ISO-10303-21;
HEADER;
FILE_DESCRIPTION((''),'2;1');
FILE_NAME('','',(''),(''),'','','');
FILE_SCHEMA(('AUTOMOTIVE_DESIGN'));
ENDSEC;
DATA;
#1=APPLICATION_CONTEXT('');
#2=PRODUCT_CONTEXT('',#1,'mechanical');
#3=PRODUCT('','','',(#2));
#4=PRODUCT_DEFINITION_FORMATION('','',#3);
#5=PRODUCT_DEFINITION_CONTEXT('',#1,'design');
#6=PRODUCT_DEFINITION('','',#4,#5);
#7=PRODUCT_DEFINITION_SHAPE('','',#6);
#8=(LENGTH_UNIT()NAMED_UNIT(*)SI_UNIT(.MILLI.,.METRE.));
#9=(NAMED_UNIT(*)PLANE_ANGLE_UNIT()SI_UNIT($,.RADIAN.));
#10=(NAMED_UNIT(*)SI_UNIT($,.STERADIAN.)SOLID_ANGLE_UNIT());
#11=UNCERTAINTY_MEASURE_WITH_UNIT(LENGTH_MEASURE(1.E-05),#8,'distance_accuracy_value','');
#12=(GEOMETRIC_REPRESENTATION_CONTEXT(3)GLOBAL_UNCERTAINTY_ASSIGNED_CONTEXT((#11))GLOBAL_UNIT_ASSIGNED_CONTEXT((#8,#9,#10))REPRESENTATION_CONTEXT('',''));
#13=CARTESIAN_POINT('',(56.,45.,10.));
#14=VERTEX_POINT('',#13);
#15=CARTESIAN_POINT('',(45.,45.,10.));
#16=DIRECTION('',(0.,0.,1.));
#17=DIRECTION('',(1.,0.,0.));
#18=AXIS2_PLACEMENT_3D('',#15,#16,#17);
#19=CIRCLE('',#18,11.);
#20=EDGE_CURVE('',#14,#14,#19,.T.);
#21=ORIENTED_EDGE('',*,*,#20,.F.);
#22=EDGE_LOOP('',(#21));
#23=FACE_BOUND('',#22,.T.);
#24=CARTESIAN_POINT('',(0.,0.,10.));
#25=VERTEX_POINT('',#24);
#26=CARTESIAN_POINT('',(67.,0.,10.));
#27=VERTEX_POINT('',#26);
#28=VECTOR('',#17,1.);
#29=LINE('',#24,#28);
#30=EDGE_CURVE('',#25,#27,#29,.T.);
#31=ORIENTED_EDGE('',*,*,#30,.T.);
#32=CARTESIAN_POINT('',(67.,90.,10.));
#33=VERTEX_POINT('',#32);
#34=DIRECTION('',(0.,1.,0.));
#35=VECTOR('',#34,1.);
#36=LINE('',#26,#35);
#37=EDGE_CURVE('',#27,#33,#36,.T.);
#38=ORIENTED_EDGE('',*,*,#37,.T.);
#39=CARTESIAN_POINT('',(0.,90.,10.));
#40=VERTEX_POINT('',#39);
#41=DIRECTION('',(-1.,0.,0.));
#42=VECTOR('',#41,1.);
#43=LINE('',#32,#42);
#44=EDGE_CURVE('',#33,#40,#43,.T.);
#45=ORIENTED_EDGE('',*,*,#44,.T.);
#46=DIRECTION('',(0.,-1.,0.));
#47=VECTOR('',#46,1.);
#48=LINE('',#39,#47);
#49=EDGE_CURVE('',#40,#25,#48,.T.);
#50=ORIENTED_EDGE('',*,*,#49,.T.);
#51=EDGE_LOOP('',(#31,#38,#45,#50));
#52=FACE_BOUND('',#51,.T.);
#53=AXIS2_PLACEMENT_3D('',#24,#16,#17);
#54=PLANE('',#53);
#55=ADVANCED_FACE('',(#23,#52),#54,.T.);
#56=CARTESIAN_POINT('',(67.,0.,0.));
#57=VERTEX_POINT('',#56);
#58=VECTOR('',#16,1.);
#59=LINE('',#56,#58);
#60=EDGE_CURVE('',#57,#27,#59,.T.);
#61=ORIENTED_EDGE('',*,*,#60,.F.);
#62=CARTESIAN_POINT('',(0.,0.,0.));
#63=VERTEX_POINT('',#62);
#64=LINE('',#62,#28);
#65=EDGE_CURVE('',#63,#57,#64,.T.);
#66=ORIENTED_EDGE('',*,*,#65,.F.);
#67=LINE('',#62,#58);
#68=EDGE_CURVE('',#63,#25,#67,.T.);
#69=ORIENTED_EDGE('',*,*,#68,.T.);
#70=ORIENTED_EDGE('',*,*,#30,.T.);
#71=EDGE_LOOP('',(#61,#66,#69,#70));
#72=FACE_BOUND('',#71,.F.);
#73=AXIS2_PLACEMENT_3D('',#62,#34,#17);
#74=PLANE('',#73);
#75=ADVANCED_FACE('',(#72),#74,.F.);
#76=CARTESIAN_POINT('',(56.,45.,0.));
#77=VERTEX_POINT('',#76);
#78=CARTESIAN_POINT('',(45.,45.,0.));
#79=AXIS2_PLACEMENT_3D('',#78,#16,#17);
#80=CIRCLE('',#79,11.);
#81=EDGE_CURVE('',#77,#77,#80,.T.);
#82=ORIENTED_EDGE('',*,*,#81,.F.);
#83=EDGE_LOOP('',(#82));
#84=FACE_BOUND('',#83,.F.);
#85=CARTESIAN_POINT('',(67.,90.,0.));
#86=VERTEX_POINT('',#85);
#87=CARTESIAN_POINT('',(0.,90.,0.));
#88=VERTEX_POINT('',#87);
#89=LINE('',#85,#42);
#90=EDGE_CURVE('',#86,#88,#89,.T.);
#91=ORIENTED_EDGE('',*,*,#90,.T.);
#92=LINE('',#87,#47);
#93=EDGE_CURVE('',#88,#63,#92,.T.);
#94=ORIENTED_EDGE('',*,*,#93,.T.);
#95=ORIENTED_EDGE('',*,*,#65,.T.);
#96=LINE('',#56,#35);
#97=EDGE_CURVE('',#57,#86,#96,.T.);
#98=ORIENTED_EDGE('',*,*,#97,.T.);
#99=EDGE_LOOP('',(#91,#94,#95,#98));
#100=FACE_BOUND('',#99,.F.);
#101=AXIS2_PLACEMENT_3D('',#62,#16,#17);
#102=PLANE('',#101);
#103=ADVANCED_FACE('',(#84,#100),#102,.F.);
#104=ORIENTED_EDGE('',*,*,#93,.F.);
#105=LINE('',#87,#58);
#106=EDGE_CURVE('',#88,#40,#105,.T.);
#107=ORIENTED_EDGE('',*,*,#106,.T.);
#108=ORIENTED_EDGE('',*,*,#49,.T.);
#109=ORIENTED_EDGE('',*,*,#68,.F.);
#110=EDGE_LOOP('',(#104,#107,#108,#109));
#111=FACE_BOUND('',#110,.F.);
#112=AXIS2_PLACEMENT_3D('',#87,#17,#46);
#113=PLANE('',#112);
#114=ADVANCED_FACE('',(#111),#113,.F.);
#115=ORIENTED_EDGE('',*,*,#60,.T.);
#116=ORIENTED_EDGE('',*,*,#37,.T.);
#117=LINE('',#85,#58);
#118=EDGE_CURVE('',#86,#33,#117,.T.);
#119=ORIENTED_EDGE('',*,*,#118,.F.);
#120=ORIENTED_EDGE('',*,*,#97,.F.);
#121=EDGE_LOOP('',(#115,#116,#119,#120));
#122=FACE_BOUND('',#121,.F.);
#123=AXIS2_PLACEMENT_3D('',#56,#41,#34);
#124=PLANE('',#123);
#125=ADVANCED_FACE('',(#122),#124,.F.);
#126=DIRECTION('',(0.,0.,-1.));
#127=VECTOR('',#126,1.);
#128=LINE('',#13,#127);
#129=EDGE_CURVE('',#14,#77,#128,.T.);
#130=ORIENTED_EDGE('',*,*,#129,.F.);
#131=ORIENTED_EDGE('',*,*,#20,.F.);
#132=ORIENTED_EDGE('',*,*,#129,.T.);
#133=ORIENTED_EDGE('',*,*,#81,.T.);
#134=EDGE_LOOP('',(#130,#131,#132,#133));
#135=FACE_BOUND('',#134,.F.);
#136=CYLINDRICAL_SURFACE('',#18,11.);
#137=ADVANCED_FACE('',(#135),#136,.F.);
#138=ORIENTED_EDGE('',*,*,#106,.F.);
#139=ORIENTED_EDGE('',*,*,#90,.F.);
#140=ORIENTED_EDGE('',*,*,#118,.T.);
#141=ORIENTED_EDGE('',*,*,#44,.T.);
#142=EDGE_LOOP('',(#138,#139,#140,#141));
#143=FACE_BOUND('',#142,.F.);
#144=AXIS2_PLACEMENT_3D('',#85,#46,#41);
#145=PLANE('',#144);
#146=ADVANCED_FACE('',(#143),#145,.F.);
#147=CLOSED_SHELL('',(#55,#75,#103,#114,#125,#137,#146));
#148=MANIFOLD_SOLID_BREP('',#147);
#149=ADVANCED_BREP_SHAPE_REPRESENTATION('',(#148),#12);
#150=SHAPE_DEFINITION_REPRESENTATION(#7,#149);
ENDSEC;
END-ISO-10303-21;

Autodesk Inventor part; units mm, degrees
ref_plane "YZ Plane" through (0, 0, 0) normal (1, 0, 0) x (0, 1, 0)
ref_plane "XZ Plane" through (0, 0, 0) normal (0, 1, 0) x (-1, 0, 0)
ref_plane "XY Plane" through (0, 0, 0) normal (0, 0, 1) x (1, 0, 0)
sketch "Esquisse1" plane through (0, 0, 0) normal (0, 0, 1) x (1, 0, 0)
  line L0 (0, 0) -> (67, 0)
  line L1 (67, 0) -> (67, 90)
  line L2 (67, 90) -> (0, 90)
  line L3 (0, 90) -> (0, 0)
  dimension "d0" = 90
  dimension "d1" = 67
extrude "Extrusion1" add sketch "Esquisse1" along normal blind 10
sketch "Esquisse2" plane through (0, 0, 10) normal (0, 0, 1) x (1, 0, 0)
  circle A0 centre (45, 45) radius 11
  line L0 (67, 0) -> (67, 90) projected
  line L1 (0, 0) -> (67, 0) projected
  dimension "d4" = 22
  dimension "d5" = 45
  dimension "d6" = 22
extrude "Extrusion2" cut sketch "Esquisse2" against normal blind 10
properties part number "FlancExt"
